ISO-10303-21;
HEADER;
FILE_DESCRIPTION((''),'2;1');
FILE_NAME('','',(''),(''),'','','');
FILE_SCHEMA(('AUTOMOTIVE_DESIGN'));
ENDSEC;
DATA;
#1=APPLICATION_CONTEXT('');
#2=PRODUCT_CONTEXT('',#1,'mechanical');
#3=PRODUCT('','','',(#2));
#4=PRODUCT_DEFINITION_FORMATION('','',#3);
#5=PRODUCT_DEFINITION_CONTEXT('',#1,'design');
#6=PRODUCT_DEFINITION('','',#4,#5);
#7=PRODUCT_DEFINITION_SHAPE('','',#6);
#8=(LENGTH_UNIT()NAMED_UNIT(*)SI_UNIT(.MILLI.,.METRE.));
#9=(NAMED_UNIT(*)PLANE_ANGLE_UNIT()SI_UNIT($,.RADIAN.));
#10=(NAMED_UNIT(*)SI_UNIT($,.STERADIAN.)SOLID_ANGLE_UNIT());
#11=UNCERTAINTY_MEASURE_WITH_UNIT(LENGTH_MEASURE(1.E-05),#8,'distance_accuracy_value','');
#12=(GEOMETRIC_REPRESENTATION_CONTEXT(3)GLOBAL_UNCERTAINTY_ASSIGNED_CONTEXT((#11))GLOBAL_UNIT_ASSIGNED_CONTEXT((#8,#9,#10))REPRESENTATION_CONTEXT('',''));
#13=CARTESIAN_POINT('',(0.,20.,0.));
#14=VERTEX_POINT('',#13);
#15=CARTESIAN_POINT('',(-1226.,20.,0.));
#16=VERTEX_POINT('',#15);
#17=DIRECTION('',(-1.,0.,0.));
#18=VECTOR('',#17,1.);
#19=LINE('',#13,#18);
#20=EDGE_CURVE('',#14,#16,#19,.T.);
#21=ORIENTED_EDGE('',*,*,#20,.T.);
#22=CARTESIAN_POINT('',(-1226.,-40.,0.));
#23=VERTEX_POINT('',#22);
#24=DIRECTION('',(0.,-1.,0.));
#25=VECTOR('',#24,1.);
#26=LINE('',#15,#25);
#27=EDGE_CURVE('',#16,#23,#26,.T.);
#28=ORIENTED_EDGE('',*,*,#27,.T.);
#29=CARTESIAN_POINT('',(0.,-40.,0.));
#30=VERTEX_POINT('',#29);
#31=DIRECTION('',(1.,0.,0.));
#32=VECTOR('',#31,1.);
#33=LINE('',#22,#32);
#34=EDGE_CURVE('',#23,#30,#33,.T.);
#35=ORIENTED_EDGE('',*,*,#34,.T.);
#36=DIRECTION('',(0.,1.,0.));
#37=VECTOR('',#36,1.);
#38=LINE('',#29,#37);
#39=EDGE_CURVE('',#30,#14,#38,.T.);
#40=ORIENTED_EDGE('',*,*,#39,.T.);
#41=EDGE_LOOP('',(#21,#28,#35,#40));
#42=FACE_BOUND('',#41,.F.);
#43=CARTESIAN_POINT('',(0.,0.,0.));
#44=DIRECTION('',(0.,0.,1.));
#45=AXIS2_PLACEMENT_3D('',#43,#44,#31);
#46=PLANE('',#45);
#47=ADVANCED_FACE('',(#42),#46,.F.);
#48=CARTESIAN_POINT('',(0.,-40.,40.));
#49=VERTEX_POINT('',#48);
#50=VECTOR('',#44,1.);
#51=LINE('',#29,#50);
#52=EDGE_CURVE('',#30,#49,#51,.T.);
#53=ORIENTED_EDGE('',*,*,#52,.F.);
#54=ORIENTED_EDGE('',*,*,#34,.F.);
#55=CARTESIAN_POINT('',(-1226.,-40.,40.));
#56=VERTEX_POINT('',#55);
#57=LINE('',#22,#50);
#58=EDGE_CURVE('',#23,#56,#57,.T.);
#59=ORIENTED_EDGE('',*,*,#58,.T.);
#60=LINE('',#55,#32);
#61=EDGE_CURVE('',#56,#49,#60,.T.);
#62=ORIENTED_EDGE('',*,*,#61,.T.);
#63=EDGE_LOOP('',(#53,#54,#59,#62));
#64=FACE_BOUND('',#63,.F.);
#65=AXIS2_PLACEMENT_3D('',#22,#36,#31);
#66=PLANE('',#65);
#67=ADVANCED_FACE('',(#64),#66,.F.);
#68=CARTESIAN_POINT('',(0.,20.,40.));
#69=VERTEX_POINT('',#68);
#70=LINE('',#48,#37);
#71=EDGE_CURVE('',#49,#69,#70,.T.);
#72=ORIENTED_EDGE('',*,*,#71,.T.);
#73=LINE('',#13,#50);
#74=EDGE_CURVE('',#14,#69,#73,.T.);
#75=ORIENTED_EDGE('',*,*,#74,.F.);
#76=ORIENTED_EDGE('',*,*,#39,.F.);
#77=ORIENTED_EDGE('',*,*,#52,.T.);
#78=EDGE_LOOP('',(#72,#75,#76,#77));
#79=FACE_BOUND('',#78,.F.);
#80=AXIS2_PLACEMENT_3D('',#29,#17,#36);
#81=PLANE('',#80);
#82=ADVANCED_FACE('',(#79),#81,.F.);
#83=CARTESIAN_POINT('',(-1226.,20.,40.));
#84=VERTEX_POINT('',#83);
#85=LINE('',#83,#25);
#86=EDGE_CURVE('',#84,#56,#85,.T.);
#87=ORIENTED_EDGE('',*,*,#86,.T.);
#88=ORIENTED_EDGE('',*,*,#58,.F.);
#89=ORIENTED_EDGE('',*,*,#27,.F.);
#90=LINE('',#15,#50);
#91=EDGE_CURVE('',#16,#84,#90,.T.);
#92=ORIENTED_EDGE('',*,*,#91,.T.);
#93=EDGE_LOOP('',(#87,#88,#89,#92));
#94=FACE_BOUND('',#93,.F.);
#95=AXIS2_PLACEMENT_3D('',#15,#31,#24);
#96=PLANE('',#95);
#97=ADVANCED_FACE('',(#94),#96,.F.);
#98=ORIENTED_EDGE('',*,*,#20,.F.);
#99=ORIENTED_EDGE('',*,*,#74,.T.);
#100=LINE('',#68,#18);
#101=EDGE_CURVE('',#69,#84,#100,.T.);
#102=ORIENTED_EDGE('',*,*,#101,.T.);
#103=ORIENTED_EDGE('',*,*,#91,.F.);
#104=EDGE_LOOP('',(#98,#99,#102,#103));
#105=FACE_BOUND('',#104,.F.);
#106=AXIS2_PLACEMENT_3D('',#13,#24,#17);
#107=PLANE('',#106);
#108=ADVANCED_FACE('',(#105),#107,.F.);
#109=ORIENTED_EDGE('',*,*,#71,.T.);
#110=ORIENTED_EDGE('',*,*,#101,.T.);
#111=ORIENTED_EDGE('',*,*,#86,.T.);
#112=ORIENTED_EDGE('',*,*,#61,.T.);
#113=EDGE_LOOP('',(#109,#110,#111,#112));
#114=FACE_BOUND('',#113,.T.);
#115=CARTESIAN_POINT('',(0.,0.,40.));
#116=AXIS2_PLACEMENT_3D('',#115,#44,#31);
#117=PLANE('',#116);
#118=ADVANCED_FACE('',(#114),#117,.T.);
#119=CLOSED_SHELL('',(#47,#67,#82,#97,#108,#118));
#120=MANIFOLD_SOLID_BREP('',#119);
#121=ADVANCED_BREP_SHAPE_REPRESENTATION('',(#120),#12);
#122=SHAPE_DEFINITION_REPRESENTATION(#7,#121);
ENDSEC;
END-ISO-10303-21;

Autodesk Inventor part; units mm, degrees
ref_plane "YZ Plane" through (0, 0, 0) normal (1, 0, 0) x (0, 1, 0)
ref_plane "XZ Plane" through (0, 0, 0) normal (0, 1, 0) x (-1, 0, 0)
ref_plane "XY Plane" through (0, 0, 0) normal (0, 0, 1) x (1, 0, 0)
sketch "Sketch1" plane through (0, 0, 0) normal (0, 0, 1) x (1, 0, 0)
  line L0 (-1226, -40) -> (0, -40)
  line L1 (0, -40) -> (0, 20)
  line L2 (0, 20) -> (-1226, 20)
  line L3 (-1226, 20) -> (-1226, -40)
  point P0 (0, 0)
  dimension "d0" = 60
extrude "Extrusion1" add sketch "Sketch1" along normal blind 40
properties part number "Transverse" material "Wood"
